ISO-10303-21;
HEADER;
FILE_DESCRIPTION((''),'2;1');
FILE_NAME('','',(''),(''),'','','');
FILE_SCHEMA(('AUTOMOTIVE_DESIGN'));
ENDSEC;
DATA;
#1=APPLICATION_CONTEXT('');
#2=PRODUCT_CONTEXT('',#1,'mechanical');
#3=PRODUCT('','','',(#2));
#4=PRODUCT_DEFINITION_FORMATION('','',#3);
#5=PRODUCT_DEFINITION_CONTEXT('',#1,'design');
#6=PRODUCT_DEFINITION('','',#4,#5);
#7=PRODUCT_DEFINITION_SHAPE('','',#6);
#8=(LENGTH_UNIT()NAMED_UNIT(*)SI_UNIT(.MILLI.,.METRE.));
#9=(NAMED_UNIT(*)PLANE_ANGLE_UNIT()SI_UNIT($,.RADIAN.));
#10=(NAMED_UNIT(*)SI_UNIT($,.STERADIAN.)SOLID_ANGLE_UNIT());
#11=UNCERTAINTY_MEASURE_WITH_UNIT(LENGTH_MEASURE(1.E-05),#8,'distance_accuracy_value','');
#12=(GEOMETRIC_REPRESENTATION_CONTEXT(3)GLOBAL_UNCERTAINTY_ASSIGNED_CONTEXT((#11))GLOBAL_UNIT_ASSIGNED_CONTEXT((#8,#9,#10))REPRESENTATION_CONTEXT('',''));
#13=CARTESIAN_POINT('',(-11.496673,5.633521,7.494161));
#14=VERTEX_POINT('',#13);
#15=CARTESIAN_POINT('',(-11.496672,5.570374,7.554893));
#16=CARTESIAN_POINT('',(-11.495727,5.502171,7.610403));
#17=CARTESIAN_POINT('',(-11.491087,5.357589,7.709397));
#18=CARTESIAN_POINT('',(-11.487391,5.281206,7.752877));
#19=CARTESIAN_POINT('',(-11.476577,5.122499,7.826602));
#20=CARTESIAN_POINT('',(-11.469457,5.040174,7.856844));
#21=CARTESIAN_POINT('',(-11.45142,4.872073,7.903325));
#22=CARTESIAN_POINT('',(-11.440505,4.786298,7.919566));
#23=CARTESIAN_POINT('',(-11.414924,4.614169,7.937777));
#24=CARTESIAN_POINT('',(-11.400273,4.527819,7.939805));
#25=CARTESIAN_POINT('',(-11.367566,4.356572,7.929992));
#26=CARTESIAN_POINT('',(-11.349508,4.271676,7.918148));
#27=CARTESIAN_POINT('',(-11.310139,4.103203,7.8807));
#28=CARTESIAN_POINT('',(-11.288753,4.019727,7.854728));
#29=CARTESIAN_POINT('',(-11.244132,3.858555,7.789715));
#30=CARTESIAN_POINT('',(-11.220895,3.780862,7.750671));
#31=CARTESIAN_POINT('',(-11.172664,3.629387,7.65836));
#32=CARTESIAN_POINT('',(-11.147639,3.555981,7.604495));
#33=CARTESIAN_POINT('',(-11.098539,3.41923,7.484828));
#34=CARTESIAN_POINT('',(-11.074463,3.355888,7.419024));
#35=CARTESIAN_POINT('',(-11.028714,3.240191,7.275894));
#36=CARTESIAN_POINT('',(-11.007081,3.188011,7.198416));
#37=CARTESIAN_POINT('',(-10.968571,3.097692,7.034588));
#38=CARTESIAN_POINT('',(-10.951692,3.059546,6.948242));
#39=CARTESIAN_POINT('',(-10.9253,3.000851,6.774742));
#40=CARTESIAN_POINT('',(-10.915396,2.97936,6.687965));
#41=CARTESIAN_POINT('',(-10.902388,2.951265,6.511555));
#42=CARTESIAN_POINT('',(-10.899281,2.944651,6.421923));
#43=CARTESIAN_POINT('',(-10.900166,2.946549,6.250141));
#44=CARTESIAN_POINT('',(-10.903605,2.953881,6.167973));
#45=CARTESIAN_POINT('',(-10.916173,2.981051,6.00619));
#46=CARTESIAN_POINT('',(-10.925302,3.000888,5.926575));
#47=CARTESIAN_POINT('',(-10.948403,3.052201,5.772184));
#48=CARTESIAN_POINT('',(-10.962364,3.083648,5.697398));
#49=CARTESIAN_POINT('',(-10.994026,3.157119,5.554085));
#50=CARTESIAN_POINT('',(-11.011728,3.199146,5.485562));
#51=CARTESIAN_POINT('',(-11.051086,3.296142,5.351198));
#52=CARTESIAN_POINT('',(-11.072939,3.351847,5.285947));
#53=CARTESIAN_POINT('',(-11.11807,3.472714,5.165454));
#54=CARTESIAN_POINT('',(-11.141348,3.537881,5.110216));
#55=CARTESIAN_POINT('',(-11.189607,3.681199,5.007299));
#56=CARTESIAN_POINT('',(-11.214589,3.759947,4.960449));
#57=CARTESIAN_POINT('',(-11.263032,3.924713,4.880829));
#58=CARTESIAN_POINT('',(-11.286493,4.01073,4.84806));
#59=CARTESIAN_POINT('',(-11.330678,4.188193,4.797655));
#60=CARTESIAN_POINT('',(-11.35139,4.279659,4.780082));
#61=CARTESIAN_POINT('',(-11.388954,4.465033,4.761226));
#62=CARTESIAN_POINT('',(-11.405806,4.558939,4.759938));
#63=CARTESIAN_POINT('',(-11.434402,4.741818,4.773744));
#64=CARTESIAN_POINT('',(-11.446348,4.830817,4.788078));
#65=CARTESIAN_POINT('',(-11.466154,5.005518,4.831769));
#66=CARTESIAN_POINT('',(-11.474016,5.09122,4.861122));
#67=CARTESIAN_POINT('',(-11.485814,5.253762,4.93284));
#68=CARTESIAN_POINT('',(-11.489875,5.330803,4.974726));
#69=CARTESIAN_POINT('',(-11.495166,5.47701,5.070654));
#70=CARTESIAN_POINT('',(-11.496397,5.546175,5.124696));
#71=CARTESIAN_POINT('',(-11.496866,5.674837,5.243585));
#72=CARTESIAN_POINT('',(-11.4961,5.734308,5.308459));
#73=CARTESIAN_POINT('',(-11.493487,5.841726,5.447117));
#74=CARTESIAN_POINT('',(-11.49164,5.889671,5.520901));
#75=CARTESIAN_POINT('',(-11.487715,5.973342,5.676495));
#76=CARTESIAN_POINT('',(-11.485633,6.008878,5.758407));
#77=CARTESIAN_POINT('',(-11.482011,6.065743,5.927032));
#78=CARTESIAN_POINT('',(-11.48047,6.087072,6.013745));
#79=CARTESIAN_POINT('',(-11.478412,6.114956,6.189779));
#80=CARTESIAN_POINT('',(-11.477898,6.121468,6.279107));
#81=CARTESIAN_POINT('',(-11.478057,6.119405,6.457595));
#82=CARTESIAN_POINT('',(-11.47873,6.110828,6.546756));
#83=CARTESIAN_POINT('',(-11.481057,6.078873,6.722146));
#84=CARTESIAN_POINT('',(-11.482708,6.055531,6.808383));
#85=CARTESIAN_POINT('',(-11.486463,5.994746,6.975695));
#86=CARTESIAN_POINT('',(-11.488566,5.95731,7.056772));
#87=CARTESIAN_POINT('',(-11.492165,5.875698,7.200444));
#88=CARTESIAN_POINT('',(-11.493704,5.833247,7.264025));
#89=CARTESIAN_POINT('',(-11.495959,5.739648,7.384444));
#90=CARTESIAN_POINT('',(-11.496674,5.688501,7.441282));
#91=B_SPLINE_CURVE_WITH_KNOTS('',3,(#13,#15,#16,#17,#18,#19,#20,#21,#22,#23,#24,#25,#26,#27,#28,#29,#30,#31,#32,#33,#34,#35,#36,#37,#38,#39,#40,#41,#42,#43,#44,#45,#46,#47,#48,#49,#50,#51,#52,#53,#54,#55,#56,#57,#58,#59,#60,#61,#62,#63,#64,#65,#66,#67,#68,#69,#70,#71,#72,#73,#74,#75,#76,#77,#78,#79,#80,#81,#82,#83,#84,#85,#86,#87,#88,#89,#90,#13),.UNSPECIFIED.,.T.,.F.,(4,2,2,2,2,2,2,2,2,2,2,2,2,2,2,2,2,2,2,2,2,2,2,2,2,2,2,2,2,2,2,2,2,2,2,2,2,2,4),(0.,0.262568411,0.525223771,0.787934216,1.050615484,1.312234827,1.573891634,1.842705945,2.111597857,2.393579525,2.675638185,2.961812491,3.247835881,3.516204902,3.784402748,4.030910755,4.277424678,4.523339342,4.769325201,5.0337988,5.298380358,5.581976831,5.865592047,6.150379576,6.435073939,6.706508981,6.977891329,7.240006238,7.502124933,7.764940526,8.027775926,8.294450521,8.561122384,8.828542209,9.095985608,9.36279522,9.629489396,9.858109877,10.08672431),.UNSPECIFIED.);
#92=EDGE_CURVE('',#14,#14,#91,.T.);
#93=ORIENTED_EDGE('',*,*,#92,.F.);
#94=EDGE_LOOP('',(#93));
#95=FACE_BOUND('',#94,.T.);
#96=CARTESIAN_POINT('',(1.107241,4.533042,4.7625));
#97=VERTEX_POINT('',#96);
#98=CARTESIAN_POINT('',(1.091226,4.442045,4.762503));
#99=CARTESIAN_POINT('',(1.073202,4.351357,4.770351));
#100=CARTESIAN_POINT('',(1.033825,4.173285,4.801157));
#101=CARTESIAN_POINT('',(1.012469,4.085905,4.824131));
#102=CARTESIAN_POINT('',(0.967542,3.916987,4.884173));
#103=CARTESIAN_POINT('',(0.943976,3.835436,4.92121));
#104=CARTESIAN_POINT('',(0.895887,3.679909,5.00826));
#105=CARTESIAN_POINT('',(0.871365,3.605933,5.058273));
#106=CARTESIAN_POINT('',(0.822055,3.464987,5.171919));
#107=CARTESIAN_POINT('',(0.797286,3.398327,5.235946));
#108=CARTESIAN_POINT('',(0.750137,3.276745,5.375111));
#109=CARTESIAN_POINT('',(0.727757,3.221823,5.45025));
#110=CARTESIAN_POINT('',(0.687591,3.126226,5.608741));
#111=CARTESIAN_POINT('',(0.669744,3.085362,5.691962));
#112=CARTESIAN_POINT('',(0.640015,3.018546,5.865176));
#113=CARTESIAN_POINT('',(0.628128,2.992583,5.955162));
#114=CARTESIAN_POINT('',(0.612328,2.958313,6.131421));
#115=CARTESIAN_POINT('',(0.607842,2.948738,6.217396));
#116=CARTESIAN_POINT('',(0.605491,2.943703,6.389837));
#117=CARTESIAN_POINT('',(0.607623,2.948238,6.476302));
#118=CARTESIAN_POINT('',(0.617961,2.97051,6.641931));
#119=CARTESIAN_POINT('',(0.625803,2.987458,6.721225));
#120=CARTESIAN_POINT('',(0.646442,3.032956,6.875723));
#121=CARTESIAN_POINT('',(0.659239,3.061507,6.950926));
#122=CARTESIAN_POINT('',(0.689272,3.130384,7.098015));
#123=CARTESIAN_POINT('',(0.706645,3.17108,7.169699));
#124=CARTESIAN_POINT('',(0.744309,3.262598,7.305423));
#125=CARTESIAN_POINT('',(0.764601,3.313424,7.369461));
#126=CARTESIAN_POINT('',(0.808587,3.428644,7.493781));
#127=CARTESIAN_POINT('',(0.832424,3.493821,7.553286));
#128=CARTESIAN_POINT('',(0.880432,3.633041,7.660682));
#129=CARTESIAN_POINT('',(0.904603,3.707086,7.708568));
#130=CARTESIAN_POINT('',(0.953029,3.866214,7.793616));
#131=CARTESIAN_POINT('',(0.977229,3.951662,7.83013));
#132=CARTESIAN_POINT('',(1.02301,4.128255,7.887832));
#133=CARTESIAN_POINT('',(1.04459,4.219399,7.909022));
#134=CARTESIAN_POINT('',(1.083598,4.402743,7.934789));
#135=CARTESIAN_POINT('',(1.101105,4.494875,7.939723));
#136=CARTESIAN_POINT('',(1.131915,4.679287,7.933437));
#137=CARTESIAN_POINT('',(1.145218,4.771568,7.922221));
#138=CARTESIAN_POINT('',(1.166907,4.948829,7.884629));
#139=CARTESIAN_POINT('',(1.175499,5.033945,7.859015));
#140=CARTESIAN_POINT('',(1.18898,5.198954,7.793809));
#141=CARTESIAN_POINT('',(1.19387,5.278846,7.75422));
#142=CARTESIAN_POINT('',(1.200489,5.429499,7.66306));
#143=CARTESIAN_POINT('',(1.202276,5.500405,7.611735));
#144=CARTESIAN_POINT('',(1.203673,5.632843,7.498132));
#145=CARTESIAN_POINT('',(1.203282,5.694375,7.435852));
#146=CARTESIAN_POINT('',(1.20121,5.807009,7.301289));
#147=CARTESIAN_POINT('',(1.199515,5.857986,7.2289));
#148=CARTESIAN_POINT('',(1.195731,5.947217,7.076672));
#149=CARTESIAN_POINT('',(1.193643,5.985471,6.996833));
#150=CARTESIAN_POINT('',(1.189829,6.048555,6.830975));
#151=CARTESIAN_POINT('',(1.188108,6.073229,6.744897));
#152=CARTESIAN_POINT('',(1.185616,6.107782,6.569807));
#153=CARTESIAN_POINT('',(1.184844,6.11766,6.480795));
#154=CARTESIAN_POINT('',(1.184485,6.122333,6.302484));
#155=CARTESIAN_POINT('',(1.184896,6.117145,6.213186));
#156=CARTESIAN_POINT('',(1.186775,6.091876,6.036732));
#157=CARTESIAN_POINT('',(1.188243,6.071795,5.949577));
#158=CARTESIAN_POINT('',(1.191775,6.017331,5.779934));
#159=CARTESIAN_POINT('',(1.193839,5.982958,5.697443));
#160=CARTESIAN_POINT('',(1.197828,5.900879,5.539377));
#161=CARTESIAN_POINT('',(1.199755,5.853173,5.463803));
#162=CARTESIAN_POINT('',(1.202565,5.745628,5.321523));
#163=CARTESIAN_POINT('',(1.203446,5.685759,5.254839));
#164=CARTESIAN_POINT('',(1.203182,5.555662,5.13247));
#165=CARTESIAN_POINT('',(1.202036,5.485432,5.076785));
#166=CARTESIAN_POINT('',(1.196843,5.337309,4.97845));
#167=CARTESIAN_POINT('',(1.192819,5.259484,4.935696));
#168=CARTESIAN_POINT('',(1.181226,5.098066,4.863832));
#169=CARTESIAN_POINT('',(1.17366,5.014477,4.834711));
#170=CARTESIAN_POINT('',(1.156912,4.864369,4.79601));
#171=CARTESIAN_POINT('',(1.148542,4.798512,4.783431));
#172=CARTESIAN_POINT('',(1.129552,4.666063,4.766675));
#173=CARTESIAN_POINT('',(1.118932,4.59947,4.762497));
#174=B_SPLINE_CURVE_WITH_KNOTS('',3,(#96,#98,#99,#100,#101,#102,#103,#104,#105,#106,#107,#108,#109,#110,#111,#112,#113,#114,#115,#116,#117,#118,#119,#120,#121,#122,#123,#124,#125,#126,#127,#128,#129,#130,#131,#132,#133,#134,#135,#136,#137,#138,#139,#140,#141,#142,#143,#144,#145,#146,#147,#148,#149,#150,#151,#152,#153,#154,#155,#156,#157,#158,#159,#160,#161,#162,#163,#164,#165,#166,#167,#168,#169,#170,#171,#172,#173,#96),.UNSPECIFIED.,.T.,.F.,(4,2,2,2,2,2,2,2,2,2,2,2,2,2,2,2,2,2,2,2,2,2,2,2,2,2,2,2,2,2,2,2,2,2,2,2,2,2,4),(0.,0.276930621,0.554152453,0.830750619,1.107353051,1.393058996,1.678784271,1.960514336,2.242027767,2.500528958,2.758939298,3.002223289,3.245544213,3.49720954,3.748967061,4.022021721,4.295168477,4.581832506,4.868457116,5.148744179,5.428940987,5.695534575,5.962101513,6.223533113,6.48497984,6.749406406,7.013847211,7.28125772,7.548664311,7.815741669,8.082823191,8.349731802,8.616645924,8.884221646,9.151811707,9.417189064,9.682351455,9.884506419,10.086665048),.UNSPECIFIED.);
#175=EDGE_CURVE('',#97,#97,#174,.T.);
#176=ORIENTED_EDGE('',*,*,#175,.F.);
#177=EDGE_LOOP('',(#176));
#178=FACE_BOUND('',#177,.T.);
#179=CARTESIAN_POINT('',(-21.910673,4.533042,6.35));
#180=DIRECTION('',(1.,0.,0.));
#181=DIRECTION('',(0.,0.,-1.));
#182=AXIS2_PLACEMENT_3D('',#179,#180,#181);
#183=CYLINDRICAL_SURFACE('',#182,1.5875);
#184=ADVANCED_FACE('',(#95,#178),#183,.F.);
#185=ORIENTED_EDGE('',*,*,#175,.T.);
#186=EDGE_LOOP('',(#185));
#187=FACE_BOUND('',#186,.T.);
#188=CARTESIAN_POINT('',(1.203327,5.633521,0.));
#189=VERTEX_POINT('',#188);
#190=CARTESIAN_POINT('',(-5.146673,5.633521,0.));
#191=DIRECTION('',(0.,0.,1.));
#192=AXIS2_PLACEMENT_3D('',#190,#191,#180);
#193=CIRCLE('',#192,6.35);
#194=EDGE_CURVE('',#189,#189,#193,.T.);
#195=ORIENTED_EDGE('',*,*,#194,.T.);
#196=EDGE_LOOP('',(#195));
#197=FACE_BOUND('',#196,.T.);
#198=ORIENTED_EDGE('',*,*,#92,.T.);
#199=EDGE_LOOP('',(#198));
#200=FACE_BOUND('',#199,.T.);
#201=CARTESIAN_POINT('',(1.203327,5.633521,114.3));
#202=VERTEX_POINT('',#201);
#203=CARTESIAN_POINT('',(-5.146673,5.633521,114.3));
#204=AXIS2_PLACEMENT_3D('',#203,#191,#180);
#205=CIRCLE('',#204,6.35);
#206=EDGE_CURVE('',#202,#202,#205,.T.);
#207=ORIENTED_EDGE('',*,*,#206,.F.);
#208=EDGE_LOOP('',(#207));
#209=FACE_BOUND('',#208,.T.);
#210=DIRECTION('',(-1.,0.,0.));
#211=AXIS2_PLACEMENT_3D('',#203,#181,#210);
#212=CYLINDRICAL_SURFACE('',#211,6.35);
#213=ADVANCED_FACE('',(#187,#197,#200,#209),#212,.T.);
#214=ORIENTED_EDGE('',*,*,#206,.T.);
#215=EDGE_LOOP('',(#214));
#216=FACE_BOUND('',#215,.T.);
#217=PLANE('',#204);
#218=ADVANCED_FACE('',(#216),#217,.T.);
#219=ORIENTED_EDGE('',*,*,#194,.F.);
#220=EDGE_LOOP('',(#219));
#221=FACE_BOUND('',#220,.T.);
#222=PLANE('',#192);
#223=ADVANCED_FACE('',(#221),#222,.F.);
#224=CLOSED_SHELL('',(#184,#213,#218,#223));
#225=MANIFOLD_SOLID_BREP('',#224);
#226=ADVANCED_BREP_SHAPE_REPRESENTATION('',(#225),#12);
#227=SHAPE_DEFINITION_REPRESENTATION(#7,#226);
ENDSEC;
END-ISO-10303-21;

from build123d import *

# Parameters (mm, degrees)
SKETCH1_R           = 6.35
BOSS_EXTRUDE1_DEPTH = 114.3
SKETCH2_R           = 1.5875
CUT_EXTRUDE1_DEPTH  = 23.114


with BuildPart() as part:
    # Sketch1 → Boss-Extrude1 (new body)
    with BuildSketch(Plane.XY):
        with Locations((-5.146673194, 5.633520658)):
            Circle(SKETCH1_R)
    extrude(amount=BOSS_EXTRUDE1_DEPTH)

    # Sketch2 → Cut-Extrude1 (cut)
    with BuildSketch(Plane(origin=(1.203326806, 0, 0), x_dir=(0, 0, -1), z_dir=(1, 0, 0))):
        with Locations((-6.35, 4.533042493)):
            Circle(SKETCH2_R)
    extrude(amount=-CUT_EXTRUDE1_DEPTH, mode=Mode.SUBTRACT)


solid = part.part
